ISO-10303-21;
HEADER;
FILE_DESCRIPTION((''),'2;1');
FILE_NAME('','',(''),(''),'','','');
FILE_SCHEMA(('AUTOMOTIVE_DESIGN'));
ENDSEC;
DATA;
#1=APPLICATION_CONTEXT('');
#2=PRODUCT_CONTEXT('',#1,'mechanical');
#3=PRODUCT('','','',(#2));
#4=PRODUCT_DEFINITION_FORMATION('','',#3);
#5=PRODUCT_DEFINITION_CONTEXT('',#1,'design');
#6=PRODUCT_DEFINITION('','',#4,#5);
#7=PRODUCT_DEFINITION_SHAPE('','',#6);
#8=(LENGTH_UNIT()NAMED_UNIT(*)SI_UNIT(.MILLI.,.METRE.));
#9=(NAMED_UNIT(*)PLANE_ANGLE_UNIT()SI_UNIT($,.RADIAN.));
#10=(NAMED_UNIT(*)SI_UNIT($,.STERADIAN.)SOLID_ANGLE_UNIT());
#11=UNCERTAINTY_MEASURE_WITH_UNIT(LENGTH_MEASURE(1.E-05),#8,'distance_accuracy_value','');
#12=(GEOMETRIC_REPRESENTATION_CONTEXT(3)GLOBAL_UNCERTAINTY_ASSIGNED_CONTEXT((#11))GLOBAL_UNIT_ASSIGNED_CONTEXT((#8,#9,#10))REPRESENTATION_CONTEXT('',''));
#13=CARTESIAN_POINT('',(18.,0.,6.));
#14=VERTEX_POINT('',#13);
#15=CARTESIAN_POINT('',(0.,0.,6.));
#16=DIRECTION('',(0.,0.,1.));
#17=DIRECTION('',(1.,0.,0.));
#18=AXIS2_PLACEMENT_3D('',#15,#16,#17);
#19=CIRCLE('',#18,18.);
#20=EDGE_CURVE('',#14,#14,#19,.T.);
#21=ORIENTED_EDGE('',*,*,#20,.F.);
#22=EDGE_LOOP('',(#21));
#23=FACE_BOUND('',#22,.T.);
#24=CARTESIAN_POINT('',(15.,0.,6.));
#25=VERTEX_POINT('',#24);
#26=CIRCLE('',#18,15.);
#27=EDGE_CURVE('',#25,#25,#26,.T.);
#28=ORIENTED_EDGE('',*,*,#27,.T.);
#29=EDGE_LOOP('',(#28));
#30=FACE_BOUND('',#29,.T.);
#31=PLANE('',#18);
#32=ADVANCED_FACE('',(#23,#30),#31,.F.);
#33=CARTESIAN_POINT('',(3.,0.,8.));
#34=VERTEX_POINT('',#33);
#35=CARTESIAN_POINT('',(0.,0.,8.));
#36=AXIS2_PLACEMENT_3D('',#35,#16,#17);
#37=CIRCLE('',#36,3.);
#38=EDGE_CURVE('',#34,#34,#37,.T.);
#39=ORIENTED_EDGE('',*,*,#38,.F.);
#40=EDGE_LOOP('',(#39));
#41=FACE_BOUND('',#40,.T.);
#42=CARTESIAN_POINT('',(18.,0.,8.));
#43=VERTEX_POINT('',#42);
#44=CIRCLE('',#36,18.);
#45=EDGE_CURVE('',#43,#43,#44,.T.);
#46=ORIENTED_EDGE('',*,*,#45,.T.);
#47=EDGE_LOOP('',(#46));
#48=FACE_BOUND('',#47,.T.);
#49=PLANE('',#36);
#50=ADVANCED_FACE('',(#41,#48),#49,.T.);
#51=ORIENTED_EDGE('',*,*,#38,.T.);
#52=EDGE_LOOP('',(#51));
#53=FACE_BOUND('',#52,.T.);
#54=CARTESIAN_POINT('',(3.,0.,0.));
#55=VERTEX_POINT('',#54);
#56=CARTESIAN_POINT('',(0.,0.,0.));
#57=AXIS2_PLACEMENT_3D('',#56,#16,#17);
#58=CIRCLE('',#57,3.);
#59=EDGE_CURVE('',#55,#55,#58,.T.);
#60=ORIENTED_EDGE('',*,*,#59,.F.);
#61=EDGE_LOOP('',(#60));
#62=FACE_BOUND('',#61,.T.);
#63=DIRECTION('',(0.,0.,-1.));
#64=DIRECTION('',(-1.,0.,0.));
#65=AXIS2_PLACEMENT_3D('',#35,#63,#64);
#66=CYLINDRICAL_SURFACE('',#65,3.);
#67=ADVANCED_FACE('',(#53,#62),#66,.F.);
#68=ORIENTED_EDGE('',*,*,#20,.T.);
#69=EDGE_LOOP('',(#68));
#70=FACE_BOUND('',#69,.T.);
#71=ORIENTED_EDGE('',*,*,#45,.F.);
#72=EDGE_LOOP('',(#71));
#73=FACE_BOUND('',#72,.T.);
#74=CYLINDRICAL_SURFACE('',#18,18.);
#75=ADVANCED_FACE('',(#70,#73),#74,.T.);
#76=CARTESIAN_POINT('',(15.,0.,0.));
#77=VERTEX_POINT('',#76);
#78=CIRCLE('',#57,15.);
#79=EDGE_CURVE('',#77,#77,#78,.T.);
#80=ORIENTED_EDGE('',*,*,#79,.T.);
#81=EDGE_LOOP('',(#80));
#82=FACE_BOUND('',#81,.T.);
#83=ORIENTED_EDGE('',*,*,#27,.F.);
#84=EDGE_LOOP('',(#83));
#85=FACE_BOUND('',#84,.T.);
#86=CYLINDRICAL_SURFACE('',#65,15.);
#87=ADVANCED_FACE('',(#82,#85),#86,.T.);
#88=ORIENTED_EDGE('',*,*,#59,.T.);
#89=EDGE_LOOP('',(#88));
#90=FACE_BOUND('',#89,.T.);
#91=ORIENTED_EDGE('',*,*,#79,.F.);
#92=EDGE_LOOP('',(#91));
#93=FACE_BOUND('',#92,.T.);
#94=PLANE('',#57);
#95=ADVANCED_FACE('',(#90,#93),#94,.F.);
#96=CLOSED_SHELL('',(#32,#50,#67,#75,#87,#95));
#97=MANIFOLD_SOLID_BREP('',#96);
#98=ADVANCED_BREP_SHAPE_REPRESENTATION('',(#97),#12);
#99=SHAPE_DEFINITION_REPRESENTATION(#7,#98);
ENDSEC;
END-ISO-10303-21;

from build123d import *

# Parameters (mm, degrees)
SKETCH_1_R      = 15
SKETCH_1_R_2    = 3
EXTRUDE_1_DEPTH = 8
EXTRUDE_START   = -2
SKETCH_2_R      = 18
SKETCH_2_R_2    = 3
EXTRUDE_2_DEPTH = 2


with BuildPart() as part:
    # 草图1 → 凸台-拉伸1 (new body)
    with BuildSketch(Plane.XY):
        Circle(SKETCH_1_R)
        Circle(SKETCH_1_R_2, mode=Mode.SUBTRACT)
    extrude(amount=EXTRUDE_1_DEPTH)

    # 草图2 → 凸台-拉伸2 (add)
    with BuildSketch(Plane.XY.offset(8).offset(EXTRUDE_START)):
        Circle(SKETCH_2_R)
        Circle(SKETCH_2_R_2, mode=Mode.SUBTRACT)
    extrude(amount=EXTRUDE_2_DEPTH)


solid = part.part
